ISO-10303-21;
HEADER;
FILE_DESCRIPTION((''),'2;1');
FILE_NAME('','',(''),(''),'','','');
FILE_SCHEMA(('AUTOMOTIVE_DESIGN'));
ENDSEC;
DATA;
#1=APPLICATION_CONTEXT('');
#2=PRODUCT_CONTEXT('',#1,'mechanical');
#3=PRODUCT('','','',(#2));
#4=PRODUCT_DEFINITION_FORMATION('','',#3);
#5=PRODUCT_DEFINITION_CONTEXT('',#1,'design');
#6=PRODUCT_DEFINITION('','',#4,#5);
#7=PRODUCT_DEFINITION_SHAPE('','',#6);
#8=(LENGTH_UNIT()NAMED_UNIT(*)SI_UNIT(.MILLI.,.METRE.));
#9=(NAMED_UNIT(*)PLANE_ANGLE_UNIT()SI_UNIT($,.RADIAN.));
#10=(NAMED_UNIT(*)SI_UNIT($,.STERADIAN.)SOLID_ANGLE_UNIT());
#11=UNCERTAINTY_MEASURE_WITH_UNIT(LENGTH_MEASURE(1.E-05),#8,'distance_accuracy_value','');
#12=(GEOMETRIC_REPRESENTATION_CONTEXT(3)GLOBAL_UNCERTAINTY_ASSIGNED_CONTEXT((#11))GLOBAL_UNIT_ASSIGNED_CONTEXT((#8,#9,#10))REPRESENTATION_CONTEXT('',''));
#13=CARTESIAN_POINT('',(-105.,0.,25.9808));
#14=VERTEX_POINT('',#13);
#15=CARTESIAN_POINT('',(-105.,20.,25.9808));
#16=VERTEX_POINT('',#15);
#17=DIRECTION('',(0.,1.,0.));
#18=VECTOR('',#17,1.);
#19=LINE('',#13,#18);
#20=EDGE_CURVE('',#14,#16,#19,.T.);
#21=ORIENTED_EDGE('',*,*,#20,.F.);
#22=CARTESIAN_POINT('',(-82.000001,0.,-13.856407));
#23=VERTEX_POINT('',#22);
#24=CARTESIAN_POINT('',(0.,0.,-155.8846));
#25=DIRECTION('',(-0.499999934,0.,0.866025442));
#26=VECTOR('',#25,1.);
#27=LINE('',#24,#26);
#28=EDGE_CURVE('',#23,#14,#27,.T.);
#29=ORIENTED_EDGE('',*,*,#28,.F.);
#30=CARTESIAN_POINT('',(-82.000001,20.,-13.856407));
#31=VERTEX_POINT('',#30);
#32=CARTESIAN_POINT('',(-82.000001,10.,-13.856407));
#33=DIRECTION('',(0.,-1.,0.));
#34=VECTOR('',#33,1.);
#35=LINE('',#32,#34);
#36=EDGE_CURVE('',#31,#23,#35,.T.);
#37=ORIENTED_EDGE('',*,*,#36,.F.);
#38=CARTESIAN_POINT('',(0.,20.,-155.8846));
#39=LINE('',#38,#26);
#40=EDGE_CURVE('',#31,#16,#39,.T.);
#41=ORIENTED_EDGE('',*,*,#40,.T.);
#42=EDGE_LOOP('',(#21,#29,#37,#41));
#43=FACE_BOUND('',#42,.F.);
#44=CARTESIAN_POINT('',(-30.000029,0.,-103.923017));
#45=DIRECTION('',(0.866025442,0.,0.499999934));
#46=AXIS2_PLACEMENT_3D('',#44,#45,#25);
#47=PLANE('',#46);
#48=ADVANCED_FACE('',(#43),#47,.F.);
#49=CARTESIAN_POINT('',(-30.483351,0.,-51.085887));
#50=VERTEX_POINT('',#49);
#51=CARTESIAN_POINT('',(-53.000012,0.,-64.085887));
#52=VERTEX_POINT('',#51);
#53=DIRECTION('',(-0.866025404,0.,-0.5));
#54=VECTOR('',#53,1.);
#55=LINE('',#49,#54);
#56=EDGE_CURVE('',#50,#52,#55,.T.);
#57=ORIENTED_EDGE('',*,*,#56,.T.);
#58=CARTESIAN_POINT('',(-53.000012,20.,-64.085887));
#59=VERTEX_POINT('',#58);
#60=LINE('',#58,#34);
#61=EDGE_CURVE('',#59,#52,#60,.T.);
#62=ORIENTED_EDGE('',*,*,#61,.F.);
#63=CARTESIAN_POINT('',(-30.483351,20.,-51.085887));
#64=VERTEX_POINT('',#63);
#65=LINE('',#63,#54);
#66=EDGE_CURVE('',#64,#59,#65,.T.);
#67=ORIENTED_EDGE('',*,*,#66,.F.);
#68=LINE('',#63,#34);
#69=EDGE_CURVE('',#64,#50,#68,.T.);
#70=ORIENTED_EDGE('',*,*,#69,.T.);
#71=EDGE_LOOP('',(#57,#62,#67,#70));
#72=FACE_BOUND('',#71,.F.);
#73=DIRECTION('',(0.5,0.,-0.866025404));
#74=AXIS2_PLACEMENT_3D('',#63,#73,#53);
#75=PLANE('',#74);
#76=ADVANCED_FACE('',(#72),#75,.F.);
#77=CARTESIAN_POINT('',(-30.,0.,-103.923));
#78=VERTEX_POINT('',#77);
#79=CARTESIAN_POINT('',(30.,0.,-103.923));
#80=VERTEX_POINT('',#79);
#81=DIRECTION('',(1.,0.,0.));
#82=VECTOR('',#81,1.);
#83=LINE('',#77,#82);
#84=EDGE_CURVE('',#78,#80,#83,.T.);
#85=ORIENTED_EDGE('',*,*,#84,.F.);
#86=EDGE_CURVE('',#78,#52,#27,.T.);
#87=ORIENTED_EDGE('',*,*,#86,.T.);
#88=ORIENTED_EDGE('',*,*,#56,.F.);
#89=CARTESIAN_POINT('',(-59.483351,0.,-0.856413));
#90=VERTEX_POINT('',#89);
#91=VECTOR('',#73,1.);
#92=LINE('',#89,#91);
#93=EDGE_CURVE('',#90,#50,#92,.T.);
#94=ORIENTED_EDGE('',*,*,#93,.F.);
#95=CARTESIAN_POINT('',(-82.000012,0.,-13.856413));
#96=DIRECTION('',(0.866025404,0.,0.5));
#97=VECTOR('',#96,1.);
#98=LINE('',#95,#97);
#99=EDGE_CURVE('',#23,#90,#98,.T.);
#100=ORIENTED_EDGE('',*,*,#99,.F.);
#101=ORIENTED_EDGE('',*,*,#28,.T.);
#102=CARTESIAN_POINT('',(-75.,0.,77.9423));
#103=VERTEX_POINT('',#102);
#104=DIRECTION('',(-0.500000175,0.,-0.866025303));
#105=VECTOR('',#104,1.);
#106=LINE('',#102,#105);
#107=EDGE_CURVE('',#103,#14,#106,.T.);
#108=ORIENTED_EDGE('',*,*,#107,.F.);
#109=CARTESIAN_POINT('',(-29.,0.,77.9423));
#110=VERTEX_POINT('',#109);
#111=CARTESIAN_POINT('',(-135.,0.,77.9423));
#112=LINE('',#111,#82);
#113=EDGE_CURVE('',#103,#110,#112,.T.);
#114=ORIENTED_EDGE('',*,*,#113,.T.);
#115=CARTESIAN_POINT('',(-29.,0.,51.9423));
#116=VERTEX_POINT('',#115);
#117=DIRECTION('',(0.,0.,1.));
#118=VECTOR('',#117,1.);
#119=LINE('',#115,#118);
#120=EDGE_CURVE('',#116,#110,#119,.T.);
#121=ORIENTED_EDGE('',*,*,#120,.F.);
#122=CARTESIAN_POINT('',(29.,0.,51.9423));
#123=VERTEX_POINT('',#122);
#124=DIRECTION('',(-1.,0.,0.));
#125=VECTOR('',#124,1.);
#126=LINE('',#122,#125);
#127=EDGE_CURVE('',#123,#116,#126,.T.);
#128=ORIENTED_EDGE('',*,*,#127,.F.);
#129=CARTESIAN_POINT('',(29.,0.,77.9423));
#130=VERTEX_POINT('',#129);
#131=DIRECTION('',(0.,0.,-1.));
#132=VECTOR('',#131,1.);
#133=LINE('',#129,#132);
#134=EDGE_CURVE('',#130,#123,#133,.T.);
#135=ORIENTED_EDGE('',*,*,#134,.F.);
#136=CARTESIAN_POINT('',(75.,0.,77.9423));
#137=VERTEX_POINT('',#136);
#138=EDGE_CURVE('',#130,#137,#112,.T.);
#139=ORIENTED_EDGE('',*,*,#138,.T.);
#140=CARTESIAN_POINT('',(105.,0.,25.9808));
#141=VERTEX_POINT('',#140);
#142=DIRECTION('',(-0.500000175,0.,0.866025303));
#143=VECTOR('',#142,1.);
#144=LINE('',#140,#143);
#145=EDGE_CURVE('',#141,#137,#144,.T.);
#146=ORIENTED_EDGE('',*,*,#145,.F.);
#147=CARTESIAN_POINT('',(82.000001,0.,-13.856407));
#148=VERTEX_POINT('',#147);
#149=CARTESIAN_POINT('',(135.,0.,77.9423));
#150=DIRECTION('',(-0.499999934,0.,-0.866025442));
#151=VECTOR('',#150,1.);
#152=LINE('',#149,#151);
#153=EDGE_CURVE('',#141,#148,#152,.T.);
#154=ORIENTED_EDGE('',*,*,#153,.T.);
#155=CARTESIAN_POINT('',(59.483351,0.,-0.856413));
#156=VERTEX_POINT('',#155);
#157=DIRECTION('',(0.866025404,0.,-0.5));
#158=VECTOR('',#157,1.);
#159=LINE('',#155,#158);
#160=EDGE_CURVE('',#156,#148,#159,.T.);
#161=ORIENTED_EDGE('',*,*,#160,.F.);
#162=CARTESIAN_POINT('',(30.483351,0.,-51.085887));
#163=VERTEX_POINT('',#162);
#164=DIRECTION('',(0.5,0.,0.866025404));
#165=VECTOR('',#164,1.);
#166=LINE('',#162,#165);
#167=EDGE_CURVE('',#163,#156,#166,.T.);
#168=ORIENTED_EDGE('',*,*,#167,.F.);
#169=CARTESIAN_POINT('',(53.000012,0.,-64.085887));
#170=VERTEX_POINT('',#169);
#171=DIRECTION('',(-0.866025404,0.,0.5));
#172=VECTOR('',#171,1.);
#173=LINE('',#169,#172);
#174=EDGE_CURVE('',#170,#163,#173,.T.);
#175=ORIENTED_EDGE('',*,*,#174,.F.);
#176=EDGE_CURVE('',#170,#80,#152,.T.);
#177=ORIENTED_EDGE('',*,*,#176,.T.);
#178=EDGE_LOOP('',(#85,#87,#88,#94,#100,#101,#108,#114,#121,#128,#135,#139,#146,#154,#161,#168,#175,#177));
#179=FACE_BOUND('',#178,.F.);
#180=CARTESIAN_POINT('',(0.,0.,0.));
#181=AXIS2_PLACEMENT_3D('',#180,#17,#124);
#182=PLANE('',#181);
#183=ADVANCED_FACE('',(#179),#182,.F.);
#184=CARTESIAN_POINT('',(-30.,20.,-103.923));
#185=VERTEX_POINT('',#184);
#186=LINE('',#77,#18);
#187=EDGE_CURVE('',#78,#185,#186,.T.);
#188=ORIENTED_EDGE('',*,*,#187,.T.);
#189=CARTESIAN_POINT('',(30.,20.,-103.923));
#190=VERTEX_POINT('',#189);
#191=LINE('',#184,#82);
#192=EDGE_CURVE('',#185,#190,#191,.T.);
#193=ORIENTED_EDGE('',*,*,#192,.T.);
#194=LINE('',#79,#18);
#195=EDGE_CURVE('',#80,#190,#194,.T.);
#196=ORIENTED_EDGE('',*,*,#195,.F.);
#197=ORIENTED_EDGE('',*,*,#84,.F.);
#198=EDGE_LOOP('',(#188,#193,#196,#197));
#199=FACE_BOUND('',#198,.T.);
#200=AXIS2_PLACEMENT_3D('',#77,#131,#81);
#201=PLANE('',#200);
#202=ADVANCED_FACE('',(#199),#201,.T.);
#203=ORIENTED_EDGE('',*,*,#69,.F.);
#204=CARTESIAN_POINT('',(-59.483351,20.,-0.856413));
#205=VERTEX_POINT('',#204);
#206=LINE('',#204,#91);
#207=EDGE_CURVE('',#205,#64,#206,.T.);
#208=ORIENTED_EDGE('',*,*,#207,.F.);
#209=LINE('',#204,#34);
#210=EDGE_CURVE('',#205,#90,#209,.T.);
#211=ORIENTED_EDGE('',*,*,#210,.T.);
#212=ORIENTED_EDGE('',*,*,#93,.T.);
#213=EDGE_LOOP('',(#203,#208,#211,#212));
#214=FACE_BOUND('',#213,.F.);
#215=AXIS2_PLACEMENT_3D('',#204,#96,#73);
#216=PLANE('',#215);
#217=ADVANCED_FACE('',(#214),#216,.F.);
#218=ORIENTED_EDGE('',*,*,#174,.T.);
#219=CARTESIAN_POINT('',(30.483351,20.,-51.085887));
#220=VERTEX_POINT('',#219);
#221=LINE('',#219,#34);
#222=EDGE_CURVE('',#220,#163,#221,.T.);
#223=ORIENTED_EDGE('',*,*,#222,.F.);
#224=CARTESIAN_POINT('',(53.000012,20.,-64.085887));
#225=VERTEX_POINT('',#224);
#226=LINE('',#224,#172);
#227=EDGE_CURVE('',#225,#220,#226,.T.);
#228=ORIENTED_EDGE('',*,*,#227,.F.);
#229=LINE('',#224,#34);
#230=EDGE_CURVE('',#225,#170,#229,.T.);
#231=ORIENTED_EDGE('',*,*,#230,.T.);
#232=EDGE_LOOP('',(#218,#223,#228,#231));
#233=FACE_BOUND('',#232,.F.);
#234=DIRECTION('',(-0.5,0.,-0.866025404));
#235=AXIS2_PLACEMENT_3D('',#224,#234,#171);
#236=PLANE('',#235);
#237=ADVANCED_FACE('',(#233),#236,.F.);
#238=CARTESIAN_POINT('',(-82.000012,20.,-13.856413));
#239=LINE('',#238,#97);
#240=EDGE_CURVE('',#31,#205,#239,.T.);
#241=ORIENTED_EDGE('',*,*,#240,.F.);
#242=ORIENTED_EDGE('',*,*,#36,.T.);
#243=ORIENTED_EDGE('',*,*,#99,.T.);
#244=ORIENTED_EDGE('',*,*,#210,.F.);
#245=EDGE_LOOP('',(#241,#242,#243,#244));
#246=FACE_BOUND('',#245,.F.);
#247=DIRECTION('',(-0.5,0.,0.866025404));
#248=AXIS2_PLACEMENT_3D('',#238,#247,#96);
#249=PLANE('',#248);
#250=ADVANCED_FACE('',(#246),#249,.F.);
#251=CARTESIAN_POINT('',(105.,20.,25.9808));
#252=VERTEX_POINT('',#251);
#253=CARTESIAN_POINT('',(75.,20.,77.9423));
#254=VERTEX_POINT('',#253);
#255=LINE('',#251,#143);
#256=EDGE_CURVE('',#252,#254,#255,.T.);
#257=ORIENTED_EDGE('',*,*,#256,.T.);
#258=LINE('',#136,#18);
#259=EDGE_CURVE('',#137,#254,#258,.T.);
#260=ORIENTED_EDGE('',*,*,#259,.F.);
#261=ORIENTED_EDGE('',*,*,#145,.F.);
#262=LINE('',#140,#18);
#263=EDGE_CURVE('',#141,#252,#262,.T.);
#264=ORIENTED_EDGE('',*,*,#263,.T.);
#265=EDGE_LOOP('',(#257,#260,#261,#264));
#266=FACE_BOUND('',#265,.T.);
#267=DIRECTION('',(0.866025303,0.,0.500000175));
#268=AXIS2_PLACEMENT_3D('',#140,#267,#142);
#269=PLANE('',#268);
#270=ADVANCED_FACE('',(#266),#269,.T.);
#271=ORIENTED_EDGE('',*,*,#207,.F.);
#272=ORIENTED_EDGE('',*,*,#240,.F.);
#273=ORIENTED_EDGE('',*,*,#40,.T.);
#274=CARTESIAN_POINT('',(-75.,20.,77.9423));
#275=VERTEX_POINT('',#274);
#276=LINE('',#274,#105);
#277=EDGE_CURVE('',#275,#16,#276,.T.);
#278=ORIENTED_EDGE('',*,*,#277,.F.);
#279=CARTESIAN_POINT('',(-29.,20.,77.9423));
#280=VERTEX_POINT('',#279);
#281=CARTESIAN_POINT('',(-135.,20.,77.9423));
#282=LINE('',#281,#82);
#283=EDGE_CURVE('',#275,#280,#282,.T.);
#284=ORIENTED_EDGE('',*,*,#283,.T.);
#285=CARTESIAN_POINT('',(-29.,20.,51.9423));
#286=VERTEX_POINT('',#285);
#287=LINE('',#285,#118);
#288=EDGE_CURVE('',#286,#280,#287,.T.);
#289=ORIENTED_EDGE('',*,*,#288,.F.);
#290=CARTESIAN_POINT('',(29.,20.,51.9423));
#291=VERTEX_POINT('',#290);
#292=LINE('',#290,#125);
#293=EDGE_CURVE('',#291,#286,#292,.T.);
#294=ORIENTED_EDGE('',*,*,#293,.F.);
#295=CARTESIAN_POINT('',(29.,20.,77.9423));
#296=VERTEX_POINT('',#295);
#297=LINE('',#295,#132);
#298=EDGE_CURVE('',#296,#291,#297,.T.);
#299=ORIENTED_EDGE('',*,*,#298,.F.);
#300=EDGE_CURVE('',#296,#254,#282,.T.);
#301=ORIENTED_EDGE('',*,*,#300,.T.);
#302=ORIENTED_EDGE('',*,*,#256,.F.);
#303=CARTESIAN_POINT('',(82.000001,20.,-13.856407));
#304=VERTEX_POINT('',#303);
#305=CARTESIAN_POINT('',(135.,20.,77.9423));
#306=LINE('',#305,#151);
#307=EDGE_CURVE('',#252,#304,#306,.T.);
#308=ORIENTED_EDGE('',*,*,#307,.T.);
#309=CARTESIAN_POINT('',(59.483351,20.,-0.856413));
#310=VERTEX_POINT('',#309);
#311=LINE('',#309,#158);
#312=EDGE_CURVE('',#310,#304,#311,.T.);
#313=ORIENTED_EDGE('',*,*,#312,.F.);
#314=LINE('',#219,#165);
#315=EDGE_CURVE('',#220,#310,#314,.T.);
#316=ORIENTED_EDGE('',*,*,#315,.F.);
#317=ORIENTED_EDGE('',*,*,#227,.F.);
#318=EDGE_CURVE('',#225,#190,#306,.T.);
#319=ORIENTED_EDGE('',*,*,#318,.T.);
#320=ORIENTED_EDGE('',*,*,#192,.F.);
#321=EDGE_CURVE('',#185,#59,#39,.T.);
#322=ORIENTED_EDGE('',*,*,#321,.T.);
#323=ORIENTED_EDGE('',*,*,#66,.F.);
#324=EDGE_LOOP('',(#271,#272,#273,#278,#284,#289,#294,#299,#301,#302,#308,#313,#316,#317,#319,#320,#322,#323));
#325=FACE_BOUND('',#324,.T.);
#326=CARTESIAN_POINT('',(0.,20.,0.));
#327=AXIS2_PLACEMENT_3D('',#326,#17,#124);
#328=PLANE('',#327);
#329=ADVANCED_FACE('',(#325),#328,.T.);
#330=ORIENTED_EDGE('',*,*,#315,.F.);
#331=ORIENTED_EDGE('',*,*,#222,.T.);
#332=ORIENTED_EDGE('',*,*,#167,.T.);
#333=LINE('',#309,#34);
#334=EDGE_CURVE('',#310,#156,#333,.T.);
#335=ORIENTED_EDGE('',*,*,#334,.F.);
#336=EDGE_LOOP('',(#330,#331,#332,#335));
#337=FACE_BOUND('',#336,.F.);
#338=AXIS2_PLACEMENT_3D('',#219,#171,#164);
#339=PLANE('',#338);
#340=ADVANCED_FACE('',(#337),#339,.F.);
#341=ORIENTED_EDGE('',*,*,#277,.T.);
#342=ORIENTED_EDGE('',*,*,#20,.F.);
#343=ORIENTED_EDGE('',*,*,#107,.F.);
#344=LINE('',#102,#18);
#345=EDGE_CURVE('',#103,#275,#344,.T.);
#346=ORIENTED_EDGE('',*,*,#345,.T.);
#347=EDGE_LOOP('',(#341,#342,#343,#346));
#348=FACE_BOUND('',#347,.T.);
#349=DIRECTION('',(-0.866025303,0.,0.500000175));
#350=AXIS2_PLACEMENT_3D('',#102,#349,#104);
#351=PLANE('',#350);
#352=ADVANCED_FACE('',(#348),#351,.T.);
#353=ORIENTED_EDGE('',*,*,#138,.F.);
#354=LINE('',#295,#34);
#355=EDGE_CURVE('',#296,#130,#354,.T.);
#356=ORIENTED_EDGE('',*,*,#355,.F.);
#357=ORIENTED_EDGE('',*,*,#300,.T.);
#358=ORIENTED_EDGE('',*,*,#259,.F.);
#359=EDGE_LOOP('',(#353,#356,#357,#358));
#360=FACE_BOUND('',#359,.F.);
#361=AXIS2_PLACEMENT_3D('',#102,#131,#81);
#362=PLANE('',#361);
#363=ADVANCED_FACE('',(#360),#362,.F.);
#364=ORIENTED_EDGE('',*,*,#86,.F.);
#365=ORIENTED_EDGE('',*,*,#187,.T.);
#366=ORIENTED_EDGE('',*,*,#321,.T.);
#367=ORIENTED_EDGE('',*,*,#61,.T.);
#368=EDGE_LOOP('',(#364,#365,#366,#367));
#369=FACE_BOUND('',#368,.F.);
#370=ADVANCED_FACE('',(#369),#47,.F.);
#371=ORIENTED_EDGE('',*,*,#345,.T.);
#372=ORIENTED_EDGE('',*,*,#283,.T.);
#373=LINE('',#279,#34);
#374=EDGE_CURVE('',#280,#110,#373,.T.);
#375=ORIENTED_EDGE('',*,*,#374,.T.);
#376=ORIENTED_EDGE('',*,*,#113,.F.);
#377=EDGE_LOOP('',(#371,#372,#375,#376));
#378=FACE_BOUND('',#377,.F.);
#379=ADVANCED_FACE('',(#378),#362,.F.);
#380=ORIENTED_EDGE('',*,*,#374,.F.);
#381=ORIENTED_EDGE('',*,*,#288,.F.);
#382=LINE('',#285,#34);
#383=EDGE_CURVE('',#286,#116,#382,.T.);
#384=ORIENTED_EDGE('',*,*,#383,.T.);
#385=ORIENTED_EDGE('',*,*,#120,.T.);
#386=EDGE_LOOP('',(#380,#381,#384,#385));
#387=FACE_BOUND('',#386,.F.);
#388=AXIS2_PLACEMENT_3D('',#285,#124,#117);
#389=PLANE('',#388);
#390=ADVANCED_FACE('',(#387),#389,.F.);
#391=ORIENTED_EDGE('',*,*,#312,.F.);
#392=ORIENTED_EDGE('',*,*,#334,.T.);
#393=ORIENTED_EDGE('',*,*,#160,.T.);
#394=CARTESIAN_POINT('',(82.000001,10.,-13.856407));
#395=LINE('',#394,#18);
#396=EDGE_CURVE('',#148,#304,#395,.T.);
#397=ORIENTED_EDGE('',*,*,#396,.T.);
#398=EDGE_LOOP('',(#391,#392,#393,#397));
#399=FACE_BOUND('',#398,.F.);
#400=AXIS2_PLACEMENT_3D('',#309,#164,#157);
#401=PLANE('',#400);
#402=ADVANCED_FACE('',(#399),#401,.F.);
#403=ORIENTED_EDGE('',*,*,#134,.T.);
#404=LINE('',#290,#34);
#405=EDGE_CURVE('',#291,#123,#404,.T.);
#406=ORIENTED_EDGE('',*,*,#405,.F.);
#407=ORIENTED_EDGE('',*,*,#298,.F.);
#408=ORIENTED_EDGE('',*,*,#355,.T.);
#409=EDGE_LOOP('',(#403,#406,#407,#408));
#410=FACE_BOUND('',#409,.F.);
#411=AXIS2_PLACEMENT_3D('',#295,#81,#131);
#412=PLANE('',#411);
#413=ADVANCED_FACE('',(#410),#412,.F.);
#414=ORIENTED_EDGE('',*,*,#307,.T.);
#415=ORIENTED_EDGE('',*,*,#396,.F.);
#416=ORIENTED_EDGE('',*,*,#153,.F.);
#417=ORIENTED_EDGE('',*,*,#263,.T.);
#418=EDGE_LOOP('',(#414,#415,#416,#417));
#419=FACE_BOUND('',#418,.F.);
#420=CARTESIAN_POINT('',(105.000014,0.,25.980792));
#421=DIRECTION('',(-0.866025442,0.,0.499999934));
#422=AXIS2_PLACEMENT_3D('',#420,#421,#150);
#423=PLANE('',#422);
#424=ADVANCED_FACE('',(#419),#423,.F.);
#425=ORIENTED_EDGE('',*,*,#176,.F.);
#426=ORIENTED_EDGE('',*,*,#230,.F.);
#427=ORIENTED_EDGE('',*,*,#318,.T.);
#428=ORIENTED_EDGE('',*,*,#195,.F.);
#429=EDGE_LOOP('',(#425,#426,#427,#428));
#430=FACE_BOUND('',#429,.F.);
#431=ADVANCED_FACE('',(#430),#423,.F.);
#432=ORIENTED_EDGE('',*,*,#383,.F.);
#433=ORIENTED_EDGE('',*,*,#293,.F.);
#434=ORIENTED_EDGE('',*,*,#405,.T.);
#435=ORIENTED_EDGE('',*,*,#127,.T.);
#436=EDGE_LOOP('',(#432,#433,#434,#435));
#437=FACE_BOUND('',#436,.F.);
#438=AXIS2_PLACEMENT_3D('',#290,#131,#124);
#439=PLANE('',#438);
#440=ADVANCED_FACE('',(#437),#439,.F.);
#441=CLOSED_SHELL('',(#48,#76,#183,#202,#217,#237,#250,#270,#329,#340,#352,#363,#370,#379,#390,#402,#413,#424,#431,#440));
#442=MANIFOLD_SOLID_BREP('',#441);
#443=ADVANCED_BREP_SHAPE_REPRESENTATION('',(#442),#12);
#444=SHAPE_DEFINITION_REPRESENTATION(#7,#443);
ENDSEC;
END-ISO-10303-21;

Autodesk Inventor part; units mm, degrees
ref_plane "YZ Plane" through (0, 0, 0) normal (1, 0, 0) x (0, 1, 0)
ref_plane "XZ Plane" through (0, 0, 0) normal (0, 1, 0) x (-1, 0, 0)
ref_plane "XY Plane" through (0, 0, 0) normal (0, 0, 1) x (1, 0, 0)
sketch "スケッチ1" plane through (0, 0, 0) normal (0, 1, 0) x (-1, 0, 0)
  line L0 (135, 77.9423) -> (-135, 77.9423)
  line L1 (-135, 77.9423) -> (0, -155.8846)
  line L2 (0, -155.8846) -> (135, 77.9423)
  line L3 (135, 77.9423) -> (-67.5, -38.9711) construction
  line L4 (75, 77.9423) -> (105, 25.9808)
  line L5 (-105, 25.9808) -> (-75, 77.9423)
  line L6 (30, -103.923) -> (-30, -103.923)
  line L7 (77.8868, 82.9423) -> (0, 82.9423)
  line L8 (77.8868, 82.9423) -> (94.3301, 54.4615)
  line L9 (0, 0) -> (0, 82.9423) construction
  line L10 (-77.8868, 82.9423) -> (0, 82.9423)
  line L11 (-77.8868, 82.9423) -> (-94.3301, 54.4615)
  line L12 (-110.7735, 25.9808) -> (-94.3301, 54.4615)
  line L13 (-110.7735, 25.9808) -> (-71.8301, -41.4711)
  line L14 (-32.8868, -108.923) -> (-71.8301, -41.4711)
  line L15 (-32.8868, -108.923) -> (0, -108.923)
  line L16 (32.8868, -108.923) -> (0, -108.923)
  line L17 (32.8868, -108.923) -> (71.8301, -41.4711)
  line L18 (110.7735, 25.9808) -> (71.8301, -41.4711)
  line L19 (110.7735, 25.9808) -> (94.3301, 54.4615)
  line L20 (30, -108.923) -> (30, -103.923)
  line L21 (-30, -108.923) -> (-30, -103.923)
  line L22 (-30, -103.923) -> (30, -103.923)
  dimension "d0" = 270
  dimension "d1" = 60
  dimension "d4" = 360
  dimension "d6" = 5
  dimension "d7" = 5
  dimension "d10" = 360
extrude "押し出し2" add sketch "スケッチ1" along normal blind 20 contours L4 L2 L6 L1 L5 L0
sketch "スケッチ2" plane through (0, 20, 0) normal (0, 1, 0) x (1, 0, 0)
  line L0 (-75, -77.9423) -> (75, -77.9423) projected
  line L1 (-29, -77.9423) -> (29, -77.9423)
  line L2 (29, -77.9423) -> (29, -51.9423)
  line L3 (29, -51.9423) -> (-29, -51.9423)
  line L4 (-29, -51.9423) -> (-29, -77.9423)
  point P0 (0, 0)
  point P1 (0, -51.9423)
  point P2 (0, -77.9423)
  dimension "d16" = 26
  dimension "d17" = 58
extrude "押し出し3" cut sketch "スケッチ2" against normal blind 20
pattern_circular "円形状パターン1" count 3 over 360 about axis through (0, -10, 0) along (0, 1, 0) of "押し出し3"
properties part number "base_flame"
